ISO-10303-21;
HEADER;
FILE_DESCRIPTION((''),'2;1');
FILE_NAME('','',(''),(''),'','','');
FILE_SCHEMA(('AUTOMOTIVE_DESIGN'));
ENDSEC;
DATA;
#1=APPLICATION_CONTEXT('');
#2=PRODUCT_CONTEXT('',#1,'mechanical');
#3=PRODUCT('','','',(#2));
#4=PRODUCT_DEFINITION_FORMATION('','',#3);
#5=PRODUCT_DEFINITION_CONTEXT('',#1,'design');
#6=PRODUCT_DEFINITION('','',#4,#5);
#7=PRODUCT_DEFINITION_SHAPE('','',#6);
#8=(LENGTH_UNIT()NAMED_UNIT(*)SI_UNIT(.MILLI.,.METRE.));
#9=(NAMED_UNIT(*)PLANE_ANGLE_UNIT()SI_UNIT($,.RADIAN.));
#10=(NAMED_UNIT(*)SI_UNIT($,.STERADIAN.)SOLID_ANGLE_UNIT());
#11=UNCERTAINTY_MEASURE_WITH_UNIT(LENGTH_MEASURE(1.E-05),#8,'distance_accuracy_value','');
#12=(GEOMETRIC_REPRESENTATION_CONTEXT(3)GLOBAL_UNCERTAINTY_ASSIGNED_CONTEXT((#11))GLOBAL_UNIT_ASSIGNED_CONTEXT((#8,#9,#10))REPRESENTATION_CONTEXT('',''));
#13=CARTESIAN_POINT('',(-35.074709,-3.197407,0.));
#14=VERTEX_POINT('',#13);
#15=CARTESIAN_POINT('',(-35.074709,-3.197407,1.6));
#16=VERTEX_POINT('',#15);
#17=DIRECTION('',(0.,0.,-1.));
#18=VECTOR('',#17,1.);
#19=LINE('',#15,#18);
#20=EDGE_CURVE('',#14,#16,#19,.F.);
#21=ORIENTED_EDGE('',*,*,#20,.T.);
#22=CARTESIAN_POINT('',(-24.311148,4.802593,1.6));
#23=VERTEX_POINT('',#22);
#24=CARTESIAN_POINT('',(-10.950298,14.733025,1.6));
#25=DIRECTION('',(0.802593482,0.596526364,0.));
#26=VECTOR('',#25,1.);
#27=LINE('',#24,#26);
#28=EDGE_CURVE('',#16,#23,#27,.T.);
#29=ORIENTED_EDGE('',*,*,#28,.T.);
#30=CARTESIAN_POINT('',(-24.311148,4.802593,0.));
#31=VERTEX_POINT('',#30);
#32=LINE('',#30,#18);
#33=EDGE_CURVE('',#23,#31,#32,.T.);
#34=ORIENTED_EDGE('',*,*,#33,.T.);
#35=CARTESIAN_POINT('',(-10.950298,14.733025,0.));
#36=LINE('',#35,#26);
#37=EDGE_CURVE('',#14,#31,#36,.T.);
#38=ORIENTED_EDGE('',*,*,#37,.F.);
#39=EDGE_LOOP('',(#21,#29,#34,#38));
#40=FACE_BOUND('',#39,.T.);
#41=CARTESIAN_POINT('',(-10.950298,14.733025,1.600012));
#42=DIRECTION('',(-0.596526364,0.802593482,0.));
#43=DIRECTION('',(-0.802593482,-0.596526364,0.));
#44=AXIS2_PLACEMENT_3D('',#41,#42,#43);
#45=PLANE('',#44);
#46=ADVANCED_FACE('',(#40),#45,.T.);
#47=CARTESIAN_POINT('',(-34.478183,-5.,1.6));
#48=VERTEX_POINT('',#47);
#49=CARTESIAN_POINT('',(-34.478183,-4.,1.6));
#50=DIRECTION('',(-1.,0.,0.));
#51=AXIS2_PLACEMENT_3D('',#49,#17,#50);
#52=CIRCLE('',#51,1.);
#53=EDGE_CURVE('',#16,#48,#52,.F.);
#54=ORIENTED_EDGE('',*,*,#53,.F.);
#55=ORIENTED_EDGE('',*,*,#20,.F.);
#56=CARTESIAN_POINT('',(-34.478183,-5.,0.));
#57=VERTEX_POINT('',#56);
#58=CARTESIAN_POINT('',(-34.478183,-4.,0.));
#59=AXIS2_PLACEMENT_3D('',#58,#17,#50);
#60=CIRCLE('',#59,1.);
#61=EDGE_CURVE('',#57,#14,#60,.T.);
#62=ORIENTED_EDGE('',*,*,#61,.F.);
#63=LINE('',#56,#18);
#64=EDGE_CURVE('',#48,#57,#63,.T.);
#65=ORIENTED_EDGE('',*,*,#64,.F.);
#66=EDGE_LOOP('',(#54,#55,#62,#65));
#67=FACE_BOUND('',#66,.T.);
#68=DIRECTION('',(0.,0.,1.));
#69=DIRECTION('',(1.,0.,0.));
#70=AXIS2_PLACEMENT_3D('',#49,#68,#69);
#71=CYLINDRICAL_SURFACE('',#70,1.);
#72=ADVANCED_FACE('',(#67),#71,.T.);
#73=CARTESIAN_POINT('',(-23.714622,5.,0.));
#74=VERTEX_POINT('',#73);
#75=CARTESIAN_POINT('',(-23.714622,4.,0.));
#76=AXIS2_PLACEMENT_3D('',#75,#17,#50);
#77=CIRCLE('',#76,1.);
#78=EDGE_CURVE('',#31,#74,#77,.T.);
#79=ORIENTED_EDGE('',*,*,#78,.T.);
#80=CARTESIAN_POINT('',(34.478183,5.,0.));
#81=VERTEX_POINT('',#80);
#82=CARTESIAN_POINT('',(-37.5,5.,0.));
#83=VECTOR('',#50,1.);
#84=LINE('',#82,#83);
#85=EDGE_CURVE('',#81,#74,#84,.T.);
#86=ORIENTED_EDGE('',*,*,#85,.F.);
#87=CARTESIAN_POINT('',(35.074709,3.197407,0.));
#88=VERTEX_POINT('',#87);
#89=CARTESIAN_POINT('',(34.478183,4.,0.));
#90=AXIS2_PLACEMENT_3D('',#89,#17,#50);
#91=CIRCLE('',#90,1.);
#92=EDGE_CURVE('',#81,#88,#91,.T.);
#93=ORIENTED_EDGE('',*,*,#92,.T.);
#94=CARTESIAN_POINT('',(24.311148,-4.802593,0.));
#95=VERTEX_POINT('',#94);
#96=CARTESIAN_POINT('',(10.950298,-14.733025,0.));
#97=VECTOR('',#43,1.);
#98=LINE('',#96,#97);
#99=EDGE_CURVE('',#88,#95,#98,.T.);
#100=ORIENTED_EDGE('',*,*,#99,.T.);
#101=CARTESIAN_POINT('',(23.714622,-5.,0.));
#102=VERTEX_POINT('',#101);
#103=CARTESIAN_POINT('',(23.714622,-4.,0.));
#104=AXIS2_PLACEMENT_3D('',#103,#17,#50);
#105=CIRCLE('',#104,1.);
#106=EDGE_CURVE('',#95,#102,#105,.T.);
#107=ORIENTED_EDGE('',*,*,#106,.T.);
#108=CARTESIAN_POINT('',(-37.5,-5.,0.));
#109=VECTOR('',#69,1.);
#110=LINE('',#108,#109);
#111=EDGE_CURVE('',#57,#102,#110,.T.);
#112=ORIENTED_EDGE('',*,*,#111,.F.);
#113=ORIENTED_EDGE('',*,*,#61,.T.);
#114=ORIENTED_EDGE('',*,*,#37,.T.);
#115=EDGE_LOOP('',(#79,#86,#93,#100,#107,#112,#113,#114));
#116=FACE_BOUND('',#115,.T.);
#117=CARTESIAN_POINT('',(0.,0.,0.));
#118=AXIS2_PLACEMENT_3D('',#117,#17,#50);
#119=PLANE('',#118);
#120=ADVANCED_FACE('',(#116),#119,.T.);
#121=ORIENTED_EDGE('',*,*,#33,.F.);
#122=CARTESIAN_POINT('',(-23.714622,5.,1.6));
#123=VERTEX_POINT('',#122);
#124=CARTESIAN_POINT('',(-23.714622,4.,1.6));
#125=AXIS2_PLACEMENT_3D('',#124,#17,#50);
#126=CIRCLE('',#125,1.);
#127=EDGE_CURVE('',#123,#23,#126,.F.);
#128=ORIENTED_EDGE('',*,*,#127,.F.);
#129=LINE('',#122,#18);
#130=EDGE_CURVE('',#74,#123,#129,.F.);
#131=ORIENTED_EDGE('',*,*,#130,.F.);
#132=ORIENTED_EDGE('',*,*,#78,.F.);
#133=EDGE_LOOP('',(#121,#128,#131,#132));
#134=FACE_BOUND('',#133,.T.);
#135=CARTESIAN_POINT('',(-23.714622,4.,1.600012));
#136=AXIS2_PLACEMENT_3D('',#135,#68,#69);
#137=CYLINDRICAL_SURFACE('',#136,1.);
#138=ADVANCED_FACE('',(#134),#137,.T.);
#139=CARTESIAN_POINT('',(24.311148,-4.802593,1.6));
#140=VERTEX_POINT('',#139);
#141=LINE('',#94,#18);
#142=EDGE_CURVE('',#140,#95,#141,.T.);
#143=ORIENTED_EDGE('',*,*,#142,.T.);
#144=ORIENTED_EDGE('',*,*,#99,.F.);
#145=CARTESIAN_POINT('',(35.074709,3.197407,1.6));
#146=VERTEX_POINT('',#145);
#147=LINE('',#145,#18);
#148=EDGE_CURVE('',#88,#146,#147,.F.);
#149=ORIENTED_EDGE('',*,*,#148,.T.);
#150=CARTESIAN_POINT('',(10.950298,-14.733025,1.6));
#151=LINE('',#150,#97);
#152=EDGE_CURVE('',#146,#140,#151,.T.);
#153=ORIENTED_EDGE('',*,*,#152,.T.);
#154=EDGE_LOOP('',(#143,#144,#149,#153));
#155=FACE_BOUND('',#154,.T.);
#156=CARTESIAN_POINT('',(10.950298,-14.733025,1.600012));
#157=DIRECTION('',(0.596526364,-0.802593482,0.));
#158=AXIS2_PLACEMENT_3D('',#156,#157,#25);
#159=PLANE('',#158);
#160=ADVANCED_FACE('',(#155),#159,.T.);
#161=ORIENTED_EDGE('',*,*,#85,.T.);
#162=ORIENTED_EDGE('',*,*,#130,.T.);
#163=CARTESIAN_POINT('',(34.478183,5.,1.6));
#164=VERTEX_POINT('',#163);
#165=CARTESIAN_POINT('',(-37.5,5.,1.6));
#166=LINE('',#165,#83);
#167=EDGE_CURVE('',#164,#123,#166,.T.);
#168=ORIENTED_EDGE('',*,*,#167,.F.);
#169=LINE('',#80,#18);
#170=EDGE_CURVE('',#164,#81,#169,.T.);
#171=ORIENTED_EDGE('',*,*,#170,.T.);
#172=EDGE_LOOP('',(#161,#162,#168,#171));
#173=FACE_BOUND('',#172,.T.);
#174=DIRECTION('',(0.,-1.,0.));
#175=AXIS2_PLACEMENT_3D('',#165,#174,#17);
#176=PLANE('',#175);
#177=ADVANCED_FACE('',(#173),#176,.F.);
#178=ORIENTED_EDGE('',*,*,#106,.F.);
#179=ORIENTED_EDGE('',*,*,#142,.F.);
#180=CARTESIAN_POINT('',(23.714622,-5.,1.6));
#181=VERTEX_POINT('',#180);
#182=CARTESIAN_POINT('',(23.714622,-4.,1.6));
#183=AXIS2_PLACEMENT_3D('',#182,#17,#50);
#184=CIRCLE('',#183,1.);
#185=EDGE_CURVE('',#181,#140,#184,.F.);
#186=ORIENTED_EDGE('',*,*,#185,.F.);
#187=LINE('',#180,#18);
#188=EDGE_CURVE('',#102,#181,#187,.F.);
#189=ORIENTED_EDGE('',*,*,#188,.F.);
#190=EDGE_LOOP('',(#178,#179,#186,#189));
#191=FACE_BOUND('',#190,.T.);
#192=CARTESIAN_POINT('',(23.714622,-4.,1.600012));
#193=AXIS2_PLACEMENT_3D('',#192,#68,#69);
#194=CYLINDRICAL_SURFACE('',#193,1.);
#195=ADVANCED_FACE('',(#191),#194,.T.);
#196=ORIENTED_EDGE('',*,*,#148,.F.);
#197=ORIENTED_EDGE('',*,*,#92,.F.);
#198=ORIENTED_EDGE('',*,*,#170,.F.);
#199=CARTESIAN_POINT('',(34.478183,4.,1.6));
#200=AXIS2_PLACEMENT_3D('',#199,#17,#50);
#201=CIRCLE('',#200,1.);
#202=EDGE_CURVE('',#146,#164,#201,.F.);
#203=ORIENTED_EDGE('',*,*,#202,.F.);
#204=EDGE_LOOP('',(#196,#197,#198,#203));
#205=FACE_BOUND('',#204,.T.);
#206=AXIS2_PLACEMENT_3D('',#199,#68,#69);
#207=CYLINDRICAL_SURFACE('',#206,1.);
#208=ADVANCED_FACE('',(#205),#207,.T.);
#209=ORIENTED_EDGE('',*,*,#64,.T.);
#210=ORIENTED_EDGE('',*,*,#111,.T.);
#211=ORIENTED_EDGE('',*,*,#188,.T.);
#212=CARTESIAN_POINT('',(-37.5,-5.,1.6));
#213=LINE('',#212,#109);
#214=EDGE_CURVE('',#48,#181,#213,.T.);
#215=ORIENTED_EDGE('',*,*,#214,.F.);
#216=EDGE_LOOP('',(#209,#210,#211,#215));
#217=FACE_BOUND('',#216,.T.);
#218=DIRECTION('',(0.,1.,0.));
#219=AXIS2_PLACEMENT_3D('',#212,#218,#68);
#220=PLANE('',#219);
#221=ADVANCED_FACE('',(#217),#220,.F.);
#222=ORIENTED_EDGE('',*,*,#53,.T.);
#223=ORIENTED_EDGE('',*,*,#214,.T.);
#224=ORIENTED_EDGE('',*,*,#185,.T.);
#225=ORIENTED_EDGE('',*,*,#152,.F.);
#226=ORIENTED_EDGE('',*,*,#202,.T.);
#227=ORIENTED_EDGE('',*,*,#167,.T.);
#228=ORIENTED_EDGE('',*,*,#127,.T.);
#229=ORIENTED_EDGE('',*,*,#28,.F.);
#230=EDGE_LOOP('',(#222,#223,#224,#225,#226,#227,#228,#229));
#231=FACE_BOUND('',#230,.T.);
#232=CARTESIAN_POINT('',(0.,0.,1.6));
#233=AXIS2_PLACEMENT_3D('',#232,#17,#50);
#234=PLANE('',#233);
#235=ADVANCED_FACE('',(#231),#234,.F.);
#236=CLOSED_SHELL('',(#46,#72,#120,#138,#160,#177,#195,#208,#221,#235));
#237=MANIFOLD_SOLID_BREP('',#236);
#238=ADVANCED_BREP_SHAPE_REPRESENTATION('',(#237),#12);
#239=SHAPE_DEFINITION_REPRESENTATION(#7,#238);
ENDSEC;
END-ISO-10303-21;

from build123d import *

# Parameters (mm, degrees)
SKETCH1_W               = 75
SKETCH1_H               = 10
BOSS_EXTRUDE1_DEPTH     = 1.6
CUT_EXTRUDE1_DEPTH      = 38.865683673
CUT_EXTRUDE1_DEPTH_BACK = 10
FILLET2_R               = 1


with BuildPart() as part:
    # Sketch1 → Boss-Extrude1 (new body)
    with BuildSketch(Plane.XY):
        Rectangle(SKETCH1_W, SKETCH1_H)
    extrude(amount=BOSS_EXTRUDE1_DEPTH)

    # Sketch2 → Cut-Extrude1 (cut, two sides: drawn at the far end of the back side and taken through both)
    with BuildSketch(Plane.XY.offset(1.6).offset(-CUT_EXTRUDE1_DEPTH_BACK)):
        Polygon((37.5, -5), (37.5, 5), (24.04554885, -5), align=None)
        Polygon((-37.5, -5), (-24.04554885, 5), (-37.5, 5), align=None)
    extrude(amount=CUT_EXTRUDE1_DEPTH + CUT_EXTRUDE1_DEPTH_BACK, mode=Mode.SUBTRACT)

    # Fillet2
    fillet2_edges = [part.edges().sort_by_distance(p)[0] for p in [
        (24.04554885, -5, 0.8),
        (-24.04554885, 5, 0.8),
        (-37.5, -5, 0.8),
        (37.5, 5, 0.8),
    ]]
    fillet(fillet2_edges, radius=FILLET2_R)


solid = part.part
